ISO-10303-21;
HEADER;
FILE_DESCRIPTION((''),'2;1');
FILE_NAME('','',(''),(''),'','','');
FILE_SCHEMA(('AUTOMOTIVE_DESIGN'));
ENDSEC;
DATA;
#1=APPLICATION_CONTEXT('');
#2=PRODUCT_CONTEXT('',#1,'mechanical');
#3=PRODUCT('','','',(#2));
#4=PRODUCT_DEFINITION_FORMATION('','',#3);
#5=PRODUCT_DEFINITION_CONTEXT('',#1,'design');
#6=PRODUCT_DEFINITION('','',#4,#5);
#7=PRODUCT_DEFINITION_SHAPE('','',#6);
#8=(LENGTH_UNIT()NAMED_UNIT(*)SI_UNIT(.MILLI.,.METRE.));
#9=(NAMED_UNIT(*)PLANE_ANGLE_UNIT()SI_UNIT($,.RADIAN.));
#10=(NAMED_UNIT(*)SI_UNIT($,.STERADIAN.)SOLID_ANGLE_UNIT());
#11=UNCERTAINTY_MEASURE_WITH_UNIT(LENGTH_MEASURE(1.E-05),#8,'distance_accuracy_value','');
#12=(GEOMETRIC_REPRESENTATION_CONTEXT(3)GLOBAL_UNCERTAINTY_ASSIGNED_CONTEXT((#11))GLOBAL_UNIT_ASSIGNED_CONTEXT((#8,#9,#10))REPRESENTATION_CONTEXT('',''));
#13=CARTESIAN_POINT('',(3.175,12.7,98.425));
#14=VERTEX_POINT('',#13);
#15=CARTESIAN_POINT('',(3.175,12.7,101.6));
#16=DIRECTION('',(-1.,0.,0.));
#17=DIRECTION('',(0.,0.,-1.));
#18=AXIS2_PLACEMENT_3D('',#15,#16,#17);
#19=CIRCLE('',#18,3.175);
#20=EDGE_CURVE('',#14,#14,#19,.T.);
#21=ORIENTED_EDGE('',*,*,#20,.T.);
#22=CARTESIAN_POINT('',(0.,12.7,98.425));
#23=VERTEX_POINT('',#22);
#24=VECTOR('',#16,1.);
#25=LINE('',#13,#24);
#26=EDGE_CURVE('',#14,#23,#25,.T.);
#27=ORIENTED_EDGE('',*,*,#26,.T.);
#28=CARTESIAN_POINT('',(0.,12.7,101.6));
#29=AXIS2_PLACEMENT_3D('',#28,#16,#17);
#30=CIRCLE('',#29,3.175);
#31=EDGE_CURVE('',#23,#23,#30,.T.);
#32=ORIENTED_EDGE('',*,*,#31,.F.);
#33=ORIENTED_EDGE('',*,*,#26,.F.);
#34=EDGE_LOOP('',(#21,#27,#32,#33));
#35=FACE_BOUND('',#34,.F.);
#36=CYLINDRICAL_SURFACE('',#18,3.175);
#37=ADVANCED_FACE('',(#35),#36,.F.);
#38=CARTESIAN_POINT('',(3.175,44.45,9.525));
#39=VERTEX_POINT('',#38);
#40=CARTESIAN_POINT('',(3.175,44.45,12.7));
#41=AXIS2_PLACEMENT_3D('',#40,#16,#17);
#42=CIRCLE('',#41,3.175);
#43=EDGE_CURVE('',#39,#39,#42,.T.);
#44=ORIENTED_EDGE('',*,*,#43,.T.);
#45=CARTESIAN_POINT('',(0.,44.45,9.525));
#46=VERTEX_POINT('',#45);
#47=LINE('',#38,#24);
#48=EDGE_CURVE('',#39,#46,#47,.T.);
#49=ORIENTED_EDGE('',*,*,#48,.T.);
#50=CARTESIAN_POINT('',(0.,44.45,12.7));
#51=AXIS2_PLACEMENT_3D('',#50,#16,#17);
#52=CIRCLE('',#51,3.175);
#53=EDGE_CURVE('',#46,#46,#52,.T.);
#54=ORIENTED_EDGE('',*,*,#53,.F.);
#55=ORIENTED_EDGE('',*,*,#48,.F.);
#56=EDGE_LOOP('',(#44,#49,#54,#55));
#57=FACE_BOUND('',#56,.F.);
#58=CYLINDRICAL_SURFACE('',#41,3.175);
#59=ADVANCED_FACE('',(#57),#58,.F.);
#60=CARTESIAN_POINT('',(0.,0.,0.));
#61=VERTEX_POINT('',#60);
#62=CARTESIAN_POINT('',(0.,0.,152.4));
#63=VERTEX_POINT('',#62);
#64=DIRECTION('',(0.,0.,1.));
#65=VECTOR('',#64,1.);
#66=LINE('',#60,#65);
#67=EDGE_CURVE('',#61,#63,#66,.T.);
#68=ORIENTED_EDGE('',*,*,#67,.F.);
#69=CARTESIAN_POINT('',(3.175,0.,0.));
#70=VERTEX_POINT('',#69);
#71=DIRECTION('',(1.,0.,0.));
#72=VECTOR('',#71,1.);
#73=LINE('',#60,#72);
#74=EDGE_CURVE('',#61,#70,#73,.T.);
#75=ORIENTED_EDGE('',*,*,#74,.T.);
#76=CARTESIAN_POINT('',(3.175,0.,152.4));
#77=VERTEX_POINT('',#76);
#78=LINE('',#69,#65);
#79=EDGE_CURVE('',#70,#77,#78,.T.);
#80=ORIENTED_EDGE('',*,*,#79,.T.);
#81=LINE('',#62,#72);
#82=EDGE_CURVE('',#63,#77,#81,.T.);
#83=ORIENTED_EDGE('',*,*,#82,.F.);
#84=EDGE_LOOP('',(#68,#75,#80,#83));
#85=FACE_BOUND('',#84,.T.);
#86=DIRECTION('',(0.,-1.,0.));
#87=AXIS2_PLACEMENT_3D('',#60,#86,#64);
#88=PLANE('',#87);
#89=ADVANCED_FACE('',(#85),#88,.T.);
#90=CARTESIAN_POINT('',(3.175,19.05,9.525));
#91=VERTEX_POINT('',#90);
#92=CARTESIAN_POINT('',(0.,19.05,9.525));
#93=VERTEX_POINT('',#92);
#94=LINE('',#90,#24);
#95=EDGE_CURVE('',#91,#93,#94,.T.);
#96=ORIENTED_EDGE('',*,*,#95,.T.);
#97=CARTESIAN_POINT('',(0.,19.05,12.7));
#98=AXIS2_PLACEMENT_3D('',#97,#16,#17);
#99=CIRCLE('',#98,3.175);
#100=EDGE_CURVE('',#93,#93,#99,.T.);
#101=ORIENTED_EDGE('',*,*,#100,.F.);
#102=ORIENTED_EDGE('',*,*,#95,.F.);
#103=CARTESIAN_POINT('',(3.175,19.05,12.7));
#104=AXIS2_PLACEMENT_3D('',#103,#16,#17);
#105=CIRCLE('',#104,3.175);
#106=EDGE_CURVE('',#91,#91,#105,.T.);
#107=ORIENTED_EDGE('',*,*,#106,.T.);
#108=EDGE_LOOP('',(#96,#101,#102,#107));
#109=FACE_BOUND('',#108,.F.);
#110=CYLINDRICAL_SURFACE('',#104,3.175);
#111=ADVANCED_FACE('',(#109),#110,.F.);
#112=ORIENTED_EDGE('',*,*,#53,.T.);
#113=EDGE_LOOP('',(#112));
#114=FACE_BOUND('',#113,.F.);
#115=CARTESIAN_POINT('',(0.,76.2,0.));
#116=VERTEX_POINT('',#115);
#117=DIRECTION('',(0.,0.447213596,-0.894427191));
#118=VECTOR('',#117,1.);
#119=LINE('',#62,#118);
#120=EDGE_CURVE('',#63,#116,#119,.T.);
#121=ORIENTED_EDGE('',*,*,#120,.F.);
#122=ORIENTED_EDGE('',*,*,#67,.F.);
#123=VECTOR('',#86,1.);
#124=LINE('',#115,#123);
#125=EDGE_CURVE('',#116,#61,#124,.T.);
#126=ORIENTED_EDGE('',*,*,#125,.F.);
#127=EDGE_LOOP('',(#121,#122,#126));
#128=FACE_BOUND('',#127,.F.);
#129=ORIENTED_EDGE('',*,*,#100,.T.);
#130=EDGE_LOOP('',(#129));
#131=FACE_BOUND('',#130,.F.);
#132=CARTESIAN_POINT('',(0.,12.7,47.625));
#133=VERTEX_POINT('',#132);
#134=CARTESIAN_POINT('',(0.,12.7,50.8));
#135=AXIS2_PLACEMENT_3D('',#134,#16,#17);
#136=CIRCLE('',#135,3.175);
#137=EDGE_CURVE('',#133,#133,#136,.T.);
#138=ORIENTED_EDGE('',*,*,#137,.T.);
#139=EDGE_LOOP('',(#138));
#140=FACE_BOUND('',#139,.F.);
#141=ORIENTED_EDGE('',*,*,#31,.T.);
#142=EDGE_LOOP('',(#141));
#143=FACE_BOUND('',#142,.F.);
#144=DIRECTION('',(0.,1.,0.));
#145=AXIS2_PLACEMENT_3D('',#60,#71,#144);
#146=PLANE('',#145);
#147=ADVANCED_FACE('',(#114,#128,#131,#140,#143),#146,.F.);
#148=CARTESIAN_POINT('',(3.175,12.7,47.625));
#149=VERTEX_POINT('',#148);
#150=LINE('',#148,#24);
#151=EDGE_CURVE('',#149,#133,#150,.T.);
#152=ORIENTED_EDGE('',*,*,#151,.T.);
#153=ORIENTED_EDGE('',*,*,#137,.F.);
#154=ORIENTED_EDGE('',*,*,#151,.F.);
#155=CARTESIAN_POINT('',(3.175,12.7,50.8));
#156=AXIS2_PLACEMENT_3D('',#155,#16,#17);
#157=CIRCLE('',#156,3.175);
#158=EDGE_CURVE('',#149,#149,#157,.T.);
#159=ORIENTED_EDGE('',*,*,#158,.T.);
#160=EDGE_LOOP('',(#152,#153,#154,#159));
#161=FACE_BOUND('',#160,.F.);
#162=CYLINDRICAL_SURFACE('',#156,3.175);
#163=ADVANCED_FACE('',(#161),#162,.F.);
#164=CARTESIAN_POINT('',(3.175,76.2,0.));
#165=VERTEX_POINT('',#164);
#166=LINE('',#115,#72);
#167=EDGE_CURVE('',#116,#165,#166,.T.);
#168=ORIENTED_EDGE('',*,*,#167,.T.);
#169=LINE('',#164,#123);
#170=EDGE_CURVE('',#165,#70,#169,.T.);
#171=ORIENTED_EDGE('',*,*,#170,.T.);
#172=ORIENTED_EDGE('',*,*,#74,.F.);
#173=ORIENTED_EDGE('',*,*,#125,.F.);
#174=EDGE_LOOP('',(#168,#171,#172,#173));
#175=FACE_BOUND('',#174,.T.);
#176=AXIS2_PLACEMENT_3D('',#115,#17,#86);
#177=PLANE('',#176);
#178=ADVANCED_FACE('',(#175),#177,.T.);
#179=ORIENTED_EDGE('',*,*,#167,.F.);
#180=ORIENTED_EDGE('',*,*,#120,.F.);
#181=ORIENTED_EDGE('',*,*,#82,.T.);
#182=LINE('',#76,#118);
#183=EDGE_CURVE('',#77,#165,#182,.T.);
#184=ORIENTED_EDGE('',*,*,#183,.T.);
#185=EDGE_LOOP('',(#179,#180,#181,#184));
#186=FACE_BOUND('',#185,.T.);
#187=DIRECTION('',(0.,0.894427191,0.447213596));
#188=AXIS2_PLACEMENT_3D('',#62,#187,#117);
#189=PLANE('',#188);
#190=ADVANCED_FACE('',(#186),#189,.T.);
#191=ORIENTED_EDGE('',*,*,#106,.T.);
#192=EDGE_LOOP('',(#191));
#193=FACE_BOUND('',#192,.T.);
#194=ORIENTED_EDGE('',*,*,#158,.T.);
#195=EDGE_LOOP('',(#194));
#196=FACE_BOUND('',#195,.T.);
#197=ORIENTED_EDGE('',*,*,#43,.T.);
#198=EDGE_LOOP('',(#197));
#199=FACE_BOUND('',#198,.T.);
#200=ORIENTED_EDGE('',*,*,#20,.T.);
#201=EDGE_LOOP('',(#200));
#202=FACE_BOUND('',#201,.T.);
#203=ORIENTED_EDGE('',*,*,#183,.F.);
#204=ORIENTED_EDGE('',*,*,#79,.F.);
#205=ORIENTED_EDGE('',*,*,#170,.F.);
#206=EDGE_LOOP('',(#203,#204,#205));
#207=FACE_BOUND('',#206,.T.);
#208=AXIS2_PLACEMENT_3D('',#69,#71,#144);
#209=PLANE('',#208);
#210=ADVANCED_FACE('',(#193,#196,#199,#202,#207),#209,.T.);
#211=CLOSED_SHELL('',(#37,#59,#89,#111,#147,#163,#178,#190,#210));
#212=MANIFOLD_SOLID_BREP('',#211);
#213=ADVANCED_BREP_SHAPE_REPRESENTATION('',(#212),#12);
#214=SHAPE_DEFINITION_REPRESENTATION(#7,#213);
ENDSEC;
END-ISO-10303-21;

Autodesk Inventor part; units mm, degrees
ref_plane "YZ Plane" through (0, 0, 0) normal (1, 0, 0) x (0, 1, 0)
ref_plane "XZ Plane" through (0, 0, 0) normal (0, 1, 0) x (-1, 0, 0)
ref_plane "XY Plane" through (0, 0, 0) normal (0, 0, 1) x (1, 0, 0)
sketch "Sketch1" plane through (0, 0, 0) normal (1, 0, 0) x (0, 1, 0)
  line L0 (0, 0) -> (0, 152.4)
  line L1 (0, 152.4) -> (76.2, 0)
  line L2 (76.2, 0) -> (0, 0)
  dimension "d0" = 152.4
  dimension "d1" = 76.2
extrude "Extrusion1" add sketch "Sketch1" along normal blind 3.175
sketch "Sketch2" plane through (3.175, 0, 0) normal (1, 0, 0) x (0, 0, -1)
  line L0 (-152.4, 0) -> (0, 0) projected
  line L1 (0, 0) -> (0, 76.2) projected
  point P0 (-12.7, 44.45)
  point P1 (-12.7, 19.05)
  dimension "d4" = 12.7
  dimension "d5" = 12.7
  dimension "d6" = 19.05
  dimension "d7" = 25.4
hole "Hole2" at (3.175, 44.45, 12.7) at (3.175, 19.05, 12.7) direction (-1, 0, 0) diameter 6.35 end through all
sketch "Sketch4" plane through (3.175, 0, 0) normal (1, 0, 0) x (0, 0, -1)
  line L0 (-152.4, 0) -> (0, 0) projected
  line L1 (0, 0) -> (0, 76.2) projected
  point P0 (-101.6, 12.7)
  point P1 (-50.8, 12.7)
  dimension "d25" = 12.7
  dimension "d26" = 12.7
  dimension "d27" = 50.8
  dimension "d28" = 50.8
hole "Hole3" at (3.175, 12.7, 101.6) at (3.175, 12.7, 50.8) direction (-1, 0, 0) diameter 6.35 end through all
properties part number "Support_Side_Front" material "Aluminum 6061"
